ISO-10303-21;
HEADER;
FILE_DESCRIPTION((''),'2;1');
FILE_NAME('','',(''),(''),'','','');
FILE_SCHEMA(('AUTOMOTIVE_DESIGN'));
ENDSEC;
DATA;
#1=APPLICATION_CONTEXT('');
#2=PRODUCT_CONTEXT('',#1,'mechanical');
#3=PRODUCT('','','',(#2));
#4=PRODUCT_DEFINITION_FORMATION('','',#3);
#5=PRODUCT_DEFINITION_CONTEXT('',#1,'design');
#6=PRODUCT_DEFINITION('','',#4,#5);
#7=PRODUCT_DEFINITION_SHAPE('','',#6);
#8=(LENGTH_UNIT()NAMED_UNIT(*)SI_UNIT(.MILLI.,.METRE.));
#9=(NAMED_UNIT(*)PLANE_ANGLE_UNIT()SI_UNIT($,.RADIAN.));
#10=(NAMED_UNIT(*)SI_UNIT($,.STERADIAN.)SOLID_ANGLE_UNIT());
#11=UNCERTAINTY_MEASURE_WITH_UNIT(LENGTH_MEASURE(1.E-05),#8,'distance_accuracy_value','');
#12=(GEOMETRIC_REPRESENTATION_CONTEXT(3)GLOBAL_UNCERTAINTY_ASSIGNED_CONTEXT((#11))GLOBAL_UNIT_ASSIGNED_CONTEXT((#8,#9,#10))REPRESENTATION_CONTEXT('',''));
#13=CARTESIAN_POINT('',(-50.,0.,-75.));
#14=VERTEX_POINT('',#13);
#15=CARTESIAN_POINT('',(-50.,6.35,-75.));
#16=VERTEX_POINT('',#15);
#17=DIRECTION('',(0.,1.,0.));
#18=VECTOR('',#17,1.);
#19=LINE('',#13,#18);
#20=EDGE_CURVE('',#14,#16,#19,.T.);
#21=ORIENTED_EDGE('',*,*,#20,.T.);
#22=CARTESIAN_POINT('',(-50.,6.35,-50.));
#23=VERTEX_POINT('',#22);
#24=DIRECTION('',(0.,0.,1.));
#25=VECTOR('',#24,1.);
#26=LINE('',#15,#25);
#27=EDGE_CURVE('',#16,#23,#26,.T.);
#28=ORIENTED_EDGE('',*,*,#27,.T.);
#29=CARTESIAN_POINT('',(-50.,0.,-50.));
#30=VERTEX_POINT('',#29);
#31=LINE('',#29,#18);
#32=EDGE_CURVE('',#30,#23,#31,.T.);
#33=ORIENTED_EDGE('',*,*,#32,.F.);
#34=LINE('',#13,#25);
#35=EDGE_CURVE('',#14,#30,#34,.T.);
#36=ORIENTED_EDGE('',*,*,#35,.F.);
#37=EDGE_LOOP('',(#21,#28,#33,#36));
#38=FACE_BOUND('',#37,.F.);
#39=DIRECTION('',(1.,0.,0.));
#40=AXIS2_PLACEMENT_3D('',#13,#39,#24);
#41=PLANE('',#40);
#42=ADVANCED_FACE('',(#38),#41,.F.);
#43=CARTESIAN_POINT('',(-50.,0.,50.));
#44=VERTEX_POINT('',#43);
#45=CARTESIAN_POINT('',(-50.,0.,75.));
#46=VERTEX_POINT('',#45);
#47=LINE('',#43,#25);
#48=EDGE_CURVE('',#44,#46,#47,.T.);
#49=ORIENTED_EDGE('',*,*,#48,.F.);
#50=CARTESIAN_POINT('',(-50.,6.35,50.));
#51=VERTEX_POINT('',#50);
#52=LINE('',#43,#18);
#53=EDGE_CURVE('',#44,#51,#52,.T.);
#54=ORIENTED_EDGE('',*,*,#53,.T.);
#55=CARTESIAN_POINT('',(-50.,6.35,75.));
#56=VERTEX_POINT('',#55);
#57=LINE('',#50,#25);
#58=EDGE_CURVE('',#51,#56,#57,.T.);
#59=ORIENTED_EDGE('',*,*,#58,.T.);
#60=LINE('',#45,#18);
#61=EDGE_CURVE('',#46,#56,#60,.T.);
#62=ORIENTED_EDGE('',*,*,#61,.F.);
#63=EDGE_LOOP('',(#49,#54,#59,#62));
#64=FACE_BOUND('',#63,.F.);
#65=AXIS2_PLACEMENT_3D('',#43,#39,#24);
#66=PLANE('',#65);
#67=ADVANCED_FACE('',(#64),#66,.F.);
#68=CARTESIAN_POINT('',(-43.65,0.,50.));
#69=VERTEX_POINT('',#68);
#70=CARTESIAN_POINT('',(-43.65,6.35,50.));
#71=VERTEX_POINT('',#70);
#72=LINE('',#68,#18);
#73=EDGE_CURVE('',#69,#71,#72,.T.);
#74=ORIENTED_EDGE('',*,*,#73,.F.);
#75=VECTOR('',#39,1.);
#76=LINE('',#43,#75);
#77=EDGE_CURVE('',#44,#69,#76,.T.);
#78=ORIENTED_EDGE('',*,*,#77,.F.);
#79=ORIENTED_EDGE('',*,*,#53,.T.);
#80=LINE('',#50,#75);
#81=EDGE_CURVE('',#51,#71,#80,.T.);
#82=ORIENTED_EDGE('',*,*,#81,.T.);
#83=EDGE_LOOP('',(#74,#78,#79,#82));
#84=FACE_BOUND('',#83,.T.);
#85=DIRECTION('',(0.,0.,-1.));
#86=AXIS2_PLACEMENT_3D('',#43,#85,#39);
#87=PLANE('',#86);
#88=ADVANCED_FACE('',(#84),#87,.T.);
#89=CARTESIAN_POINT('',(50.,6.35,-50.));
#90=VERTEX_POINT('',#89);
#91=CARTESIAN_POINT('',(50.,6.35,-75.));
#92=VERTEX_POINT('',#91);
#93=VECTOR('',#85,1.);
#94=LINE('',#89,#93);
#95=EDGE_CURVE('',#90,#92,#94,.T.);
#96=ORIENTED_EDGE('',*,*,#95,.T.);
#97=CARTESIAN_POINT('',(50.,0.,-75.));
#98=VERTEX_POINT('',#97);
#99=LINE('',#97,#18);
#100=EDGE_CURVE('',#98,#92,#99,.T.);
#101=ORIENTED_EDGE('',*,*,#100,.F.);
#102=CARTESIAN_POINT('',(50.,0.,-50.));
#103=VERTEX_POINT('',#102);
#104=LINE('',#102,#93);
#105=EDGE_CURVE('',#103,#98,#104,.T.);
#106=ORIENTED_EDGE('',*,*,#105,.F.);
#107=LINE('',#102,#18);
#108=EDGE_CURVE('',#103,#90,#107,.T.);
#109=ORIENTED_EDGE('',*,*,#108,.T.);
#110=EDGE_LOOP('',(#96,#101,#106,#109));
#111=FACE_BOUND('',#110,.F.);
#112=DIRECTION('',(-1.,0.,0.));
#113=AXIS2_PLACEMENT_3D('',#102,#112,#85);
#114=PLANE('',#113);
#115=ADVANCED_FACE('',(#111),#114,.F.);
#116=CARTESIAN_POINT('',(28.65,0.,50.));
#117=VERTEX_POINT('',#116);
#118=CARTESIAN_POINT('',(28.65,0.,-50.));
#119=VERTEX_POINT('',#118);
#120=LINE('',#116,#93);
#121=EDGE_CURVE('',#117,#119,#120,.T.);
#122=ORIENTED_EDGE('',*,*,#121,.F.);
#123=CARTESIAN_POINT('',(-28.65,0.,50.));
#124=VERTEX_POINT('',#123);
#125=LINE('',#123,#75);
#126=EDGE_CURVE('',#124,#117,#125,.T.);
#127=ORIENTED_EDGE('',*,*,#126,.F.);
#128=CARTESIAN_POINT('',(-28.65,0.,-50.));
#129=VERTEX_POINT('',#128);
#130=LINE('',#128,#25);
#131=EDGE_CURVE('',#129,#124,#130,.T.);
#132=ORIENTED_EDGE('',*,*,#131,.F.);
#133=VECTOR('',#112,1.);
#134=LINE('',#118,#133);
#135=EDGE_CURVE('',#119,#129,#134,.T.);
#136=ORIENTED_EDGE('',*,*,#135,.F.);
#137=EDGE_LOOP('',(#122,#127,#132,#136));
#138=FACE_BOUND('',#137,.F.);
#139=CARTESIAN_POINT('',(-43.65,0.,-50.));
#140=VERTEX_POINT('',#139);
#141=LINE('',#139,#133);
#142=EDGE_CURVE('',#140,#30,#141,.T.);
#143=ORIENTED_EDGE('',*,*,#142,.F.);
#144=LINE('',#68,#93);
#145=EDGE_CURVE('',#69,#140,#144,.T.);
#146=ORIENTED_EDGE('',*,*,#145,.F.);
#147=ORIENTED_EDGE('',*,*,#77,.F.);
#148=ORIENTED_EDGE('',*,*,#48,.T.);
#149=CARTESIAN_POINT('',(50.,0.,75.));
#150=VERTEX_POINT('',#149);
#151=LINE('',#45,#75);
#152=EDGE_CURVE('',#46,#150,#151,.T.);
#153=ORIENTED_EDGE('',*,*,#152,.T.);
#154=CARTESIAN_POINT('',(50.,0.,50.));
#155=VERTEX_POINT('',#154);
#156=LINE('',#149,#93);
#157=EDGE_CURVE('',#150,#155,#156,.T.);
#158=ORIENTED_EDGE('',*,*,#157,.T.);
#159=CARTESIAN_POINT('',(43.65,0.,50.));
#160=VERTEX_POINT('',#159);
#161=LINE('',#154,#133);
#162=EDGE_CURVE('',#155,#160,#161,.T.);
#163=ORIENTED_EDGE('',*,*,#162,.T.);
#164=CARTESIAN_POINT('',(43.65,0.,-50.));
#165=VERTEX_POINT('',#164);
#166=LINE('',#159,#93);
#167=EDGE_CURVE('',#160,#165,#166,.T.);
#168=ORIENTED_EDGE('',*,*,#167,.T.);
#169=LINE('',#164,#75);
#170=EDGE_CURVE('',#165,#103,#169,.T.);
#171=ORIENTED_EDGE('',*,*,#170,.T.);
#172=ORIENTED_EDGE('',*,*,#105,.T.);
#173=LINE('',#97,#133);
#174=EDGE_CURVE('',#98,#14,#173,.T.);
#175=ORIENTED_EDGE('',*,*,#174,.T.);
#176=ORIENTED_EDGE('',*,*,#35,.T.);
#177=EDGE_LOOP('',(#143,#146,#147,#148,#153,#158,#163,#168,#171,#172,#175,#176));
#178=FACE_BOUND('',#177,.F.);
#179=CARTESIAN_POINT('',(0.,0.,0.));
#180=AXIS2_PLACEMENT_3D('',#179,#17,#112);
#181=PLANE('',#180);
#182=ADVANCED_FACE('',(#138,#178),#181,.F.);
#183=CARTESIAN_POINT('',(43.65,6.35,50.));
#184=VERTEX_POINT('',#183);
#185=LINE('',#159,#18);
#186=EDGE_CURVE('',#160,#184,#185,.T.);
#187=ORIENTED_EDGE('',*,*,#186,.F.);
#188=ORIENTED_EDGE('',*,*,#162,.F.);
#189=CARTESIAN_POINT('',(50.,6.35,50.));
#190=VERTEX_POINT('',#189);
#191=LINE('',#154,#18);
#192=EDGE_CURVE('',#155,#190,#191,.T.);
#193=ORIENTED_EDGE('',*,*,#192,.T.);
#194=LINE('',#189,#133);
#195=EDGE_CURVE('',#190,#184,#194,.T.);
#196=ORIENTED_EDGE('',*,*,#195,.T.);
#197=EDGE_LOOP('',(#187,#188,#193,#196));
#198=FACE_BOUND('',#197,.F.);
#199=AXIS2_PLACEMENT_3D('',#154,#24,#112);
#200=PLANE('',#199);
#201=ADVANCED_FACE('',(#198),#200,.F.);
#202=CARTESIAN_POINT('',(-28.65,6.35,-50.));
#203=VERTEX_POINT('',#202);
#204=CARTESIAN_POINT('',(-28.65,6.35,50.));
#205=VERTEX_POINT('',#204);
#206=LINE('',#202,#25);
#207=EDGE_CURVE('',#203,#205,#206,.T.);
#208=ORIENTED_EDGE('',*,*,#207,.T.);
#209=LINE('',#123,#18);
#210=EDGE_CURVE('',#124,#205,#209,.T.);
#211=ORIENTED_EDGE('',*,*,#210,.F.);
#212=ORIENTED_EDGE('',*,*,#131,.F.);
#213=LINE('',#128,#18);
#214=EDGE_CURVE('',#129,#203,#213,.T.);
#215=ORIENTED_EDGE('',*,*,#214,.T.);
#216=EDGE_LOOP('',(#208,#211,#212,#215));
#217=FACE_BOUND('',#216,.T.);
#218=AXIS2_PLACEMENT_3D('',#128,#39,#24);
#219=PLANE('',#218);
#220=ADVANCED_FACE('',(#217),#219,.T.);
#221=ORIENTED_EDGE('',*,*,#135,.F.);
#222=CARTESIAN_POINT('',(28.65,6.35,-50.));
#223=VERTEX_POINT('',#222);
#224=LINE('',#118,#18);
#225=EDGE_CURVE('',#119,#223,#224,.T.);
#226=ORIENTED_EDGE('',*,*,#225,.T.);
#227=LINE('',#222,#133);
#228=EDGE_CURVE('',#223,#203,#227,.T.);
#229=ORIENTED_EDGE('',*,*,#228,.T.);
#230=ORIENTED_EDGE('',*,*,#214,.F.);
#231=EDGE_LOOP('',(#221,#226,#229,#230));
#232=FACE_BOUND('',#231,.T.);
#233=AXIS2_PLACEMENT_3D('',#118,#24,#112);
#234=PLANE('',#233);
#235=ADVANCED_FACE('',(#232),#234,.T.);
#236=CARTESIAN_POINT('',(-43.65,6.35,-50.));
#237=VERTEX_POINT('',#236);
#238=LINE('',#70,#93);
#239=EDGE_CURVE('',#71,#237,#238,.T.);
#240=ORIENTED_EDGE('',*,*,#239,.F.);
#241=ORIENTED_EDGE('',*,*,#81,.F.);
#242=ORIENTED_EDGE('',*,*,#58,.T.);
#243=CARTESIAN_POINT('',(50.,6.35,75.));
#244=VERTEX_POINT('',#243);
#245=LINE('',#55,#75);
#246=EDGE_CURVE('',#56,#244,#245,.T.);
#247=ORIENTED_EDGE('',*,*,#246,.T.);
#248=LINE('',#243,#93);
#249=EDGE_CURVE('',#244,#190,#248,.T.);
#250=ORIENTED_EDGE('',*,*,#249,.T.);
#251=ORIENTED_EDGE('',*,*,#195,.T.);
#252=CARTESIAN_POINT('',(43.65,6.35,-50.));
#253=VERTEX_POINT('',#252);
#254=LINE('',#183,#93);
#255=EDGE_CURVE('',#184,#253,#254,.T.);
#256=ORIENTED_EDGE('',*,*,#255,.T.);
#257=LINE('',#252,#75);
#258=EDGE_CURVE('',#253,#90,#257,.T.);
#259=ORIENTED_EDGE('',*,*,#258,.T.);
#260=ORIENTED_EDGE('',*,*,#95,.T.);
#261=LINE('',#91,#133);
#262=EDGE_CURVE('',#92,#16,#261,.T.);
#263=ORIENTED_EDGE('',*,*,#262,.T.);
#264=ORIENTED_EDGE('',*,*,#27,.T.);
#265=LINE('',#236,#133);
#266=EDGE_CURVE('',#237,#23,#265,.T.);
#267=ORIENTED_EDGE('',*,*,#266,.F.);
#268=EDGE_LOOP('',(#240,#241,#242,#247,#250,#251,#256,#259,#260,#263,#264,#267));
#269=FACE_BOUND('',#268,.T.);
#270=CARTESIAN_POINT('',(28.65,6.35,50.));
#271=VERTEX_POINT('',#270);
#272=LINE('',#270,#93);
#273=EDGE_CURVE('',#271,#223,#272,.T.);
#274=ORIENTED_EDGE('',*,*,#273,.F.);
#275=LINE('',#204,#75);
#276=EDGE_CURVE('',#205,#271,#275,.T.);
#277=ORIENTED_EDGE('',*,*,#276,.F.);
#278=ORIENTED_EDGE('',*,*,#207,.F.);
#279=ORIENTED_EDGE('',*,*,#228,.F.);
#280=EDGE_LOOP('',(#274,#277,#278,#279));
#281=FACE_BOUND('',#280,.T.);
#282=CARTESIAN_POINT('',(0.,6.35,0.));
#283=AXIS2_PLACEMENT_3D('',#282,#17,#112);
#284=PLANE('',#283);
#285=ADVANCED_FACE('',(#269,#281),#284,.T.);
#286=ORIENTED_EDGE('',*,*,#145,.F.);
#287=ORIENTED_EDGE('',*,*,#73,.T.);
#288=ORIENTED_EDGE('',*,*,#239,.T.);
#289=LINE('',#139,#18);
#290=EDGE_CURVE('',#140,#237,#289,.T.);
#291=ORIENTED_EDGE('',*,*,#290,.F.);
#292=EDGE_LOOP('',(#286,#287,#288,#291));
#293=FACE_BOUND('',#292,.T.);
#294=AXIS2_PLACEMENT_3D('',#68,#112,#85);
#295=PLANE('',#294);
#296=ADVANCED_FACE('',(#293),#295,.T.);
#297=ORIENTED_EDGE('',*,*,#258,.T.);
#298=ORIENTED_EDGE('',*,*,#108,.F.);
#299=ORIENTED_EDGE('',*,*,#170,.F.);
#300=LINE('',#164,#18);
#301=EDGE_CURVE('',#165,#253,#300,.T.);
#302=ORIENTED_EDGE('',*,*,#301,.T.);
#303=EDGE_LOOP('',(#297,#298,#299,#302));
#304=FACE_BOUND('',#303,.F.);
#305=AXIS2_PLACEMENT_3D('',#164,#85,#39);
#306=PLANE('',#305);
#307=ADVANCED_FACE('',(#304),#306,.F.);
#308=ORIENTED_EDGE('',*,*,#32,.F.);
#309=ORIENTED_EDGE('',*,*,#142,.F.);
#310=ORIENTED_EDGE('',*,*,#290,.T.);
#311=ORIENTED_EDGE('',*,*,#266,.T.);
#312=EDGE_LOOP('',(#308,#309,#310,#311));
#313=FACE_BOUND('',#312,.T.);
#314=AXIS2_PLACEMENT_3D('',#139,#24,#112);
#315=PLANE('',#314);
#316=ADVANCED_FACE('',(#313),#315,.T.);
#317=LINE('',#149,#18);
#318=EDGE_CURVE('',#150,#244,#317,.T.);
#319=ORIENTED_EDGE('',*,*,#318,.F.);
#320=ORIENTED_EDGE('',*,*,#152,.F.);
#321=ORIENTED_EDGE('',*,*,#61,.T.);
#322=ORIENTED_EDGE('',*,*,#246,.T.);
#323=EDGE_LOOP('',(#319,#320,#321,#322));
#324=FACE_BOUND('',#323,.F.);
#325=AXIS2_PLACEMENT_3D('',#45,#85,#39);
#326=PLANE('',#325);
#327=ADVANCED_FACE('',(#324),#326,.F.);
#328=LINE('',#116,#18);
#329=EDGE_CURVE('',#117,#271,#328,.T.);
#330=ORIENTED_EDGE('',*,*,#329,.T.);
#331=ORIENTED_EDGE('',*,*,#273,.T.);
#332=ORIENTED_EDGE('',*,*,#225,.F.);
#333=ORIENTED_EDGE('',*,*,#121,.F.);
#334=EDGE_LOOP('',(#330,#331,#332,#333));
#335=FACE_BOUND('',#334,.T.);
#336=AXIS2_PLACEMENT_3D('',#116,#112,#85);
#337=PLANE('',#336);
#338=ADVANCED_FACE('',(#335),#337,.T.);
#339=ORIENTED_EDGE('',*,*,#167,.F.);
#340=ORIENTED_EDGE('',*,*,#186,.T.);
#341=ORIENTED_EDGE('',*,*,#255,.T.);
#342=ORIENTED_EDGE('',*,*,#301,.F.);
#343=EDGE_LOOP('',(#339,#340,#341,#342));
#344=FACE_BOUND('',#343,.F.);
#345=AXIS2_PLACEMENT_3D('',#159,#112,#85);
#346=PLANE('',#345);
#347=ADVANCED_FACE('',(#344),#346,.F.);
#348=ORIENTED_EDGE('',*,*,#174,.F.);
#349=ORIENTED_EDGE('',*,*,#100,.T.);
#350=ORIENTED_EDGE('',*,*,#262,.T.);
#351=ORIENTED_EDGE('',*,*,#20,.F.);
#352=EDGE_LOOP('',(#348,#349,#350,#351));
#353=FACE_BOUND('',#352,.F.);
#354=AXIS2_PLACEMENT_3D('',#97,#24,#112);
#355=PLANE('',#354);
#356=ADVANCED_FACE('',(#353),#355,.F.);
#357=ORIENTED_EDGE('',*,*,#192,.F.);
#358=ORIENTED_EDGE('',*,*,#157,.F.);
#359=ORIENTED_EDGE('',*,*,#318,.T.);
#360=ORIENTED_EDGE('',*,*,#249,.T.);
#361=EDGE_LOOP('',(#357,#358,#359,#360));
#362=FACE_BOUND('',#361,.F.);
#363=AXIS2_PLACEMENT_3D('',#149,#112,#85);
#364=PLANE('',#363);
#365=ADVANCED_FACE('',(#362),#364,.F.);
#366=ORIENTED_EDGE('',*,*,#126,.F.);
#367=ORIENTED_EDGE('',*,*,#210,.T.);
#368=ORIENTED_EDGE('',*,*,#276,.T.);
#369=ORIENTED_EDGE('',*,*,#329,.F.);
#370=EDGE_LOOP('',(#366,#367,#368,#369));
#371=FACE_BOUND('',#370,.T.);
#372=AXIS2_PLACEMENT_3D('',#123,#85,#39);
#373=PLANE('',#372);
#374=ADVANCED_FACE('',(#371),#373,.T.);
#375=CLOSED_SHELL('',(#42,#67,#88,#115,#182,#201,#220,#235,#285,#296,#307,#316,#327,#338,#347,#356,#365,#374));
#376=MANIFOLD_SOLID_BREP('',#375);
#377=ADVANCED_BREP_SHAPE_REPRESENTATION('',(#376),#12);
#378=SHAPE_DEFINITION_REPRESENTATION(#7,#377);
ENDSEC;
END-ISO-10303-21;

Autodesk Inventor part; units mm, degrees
ref_plane "YZ Plane" through (0, 0, 0) normal (1, 0, 0) x (0, 1, 0)
ref_plane "XZ Plane" through (0, 0, 0) normal (0, 1, 0) x (-1, 0, 0)
ref_plane "XY Plane" through (0, 0, 0) normal (0, 0, 1) x (1, 0, 0)
sketch "Sketch1" plane through (0, 0, 0) normal (0, 1, 0) x (-1, 0, 0)
  line L0 (50, 75) -> (-50, 75)
  line L1 (-50, -75) -> (50, -75)
  line L2 (50, 50) -> (43.65, 50)
  line L3 (43.65, 50) -> (43.65, -50)
  line L4 (43.65, -50) -> (50, -50)
  line L5 (-50, 50) -> (-43.65, 50)
  line L6 (-43.65, 50) -> (-43.65, -50)
  line L7 (-43.65, -50) -> (-50, -50)
  line L8 (50, -75) -> (50, -50)
  line L9 (50, 50) -> (50, 75)
  line L10 (-50, 75) -> (-50, 50)
  line L11 (-50, -50) -> (-50, -75)
  line L12 (28.65, 50) -> (-28.65, 50)
  line L13 (-28.65, 50) -> (-28.65, -50)
  line L14 (-28.65, -50) -> (28.65, -50)
  line L15 (28.65, -50) -> (28.65, 50)
  point P0 (0, 0)
  point P1 (50, 0)
  point P2 (0, -75)
  point P3 (43.65, 0)
  point P4 (28.65, 0)
  point P5 (0, -50)
  point P6 (0, 50)
  point P7 (46.825, 50)
  dimension "d1" = 150
  dimension "d5" = 25
  dimension "d6" = 25
  dimension "d7" = 6.35
  dimension "d8" = 6.35
  dimension "d9" = 100
  dimension "d10" = 100
  dimension "d11" = 6.35
  dimension "d12" = 15
extrude "Extrusion1" add sketch "Sketch1" along normal blind 6.35
properties part number "TopHolderV1"
